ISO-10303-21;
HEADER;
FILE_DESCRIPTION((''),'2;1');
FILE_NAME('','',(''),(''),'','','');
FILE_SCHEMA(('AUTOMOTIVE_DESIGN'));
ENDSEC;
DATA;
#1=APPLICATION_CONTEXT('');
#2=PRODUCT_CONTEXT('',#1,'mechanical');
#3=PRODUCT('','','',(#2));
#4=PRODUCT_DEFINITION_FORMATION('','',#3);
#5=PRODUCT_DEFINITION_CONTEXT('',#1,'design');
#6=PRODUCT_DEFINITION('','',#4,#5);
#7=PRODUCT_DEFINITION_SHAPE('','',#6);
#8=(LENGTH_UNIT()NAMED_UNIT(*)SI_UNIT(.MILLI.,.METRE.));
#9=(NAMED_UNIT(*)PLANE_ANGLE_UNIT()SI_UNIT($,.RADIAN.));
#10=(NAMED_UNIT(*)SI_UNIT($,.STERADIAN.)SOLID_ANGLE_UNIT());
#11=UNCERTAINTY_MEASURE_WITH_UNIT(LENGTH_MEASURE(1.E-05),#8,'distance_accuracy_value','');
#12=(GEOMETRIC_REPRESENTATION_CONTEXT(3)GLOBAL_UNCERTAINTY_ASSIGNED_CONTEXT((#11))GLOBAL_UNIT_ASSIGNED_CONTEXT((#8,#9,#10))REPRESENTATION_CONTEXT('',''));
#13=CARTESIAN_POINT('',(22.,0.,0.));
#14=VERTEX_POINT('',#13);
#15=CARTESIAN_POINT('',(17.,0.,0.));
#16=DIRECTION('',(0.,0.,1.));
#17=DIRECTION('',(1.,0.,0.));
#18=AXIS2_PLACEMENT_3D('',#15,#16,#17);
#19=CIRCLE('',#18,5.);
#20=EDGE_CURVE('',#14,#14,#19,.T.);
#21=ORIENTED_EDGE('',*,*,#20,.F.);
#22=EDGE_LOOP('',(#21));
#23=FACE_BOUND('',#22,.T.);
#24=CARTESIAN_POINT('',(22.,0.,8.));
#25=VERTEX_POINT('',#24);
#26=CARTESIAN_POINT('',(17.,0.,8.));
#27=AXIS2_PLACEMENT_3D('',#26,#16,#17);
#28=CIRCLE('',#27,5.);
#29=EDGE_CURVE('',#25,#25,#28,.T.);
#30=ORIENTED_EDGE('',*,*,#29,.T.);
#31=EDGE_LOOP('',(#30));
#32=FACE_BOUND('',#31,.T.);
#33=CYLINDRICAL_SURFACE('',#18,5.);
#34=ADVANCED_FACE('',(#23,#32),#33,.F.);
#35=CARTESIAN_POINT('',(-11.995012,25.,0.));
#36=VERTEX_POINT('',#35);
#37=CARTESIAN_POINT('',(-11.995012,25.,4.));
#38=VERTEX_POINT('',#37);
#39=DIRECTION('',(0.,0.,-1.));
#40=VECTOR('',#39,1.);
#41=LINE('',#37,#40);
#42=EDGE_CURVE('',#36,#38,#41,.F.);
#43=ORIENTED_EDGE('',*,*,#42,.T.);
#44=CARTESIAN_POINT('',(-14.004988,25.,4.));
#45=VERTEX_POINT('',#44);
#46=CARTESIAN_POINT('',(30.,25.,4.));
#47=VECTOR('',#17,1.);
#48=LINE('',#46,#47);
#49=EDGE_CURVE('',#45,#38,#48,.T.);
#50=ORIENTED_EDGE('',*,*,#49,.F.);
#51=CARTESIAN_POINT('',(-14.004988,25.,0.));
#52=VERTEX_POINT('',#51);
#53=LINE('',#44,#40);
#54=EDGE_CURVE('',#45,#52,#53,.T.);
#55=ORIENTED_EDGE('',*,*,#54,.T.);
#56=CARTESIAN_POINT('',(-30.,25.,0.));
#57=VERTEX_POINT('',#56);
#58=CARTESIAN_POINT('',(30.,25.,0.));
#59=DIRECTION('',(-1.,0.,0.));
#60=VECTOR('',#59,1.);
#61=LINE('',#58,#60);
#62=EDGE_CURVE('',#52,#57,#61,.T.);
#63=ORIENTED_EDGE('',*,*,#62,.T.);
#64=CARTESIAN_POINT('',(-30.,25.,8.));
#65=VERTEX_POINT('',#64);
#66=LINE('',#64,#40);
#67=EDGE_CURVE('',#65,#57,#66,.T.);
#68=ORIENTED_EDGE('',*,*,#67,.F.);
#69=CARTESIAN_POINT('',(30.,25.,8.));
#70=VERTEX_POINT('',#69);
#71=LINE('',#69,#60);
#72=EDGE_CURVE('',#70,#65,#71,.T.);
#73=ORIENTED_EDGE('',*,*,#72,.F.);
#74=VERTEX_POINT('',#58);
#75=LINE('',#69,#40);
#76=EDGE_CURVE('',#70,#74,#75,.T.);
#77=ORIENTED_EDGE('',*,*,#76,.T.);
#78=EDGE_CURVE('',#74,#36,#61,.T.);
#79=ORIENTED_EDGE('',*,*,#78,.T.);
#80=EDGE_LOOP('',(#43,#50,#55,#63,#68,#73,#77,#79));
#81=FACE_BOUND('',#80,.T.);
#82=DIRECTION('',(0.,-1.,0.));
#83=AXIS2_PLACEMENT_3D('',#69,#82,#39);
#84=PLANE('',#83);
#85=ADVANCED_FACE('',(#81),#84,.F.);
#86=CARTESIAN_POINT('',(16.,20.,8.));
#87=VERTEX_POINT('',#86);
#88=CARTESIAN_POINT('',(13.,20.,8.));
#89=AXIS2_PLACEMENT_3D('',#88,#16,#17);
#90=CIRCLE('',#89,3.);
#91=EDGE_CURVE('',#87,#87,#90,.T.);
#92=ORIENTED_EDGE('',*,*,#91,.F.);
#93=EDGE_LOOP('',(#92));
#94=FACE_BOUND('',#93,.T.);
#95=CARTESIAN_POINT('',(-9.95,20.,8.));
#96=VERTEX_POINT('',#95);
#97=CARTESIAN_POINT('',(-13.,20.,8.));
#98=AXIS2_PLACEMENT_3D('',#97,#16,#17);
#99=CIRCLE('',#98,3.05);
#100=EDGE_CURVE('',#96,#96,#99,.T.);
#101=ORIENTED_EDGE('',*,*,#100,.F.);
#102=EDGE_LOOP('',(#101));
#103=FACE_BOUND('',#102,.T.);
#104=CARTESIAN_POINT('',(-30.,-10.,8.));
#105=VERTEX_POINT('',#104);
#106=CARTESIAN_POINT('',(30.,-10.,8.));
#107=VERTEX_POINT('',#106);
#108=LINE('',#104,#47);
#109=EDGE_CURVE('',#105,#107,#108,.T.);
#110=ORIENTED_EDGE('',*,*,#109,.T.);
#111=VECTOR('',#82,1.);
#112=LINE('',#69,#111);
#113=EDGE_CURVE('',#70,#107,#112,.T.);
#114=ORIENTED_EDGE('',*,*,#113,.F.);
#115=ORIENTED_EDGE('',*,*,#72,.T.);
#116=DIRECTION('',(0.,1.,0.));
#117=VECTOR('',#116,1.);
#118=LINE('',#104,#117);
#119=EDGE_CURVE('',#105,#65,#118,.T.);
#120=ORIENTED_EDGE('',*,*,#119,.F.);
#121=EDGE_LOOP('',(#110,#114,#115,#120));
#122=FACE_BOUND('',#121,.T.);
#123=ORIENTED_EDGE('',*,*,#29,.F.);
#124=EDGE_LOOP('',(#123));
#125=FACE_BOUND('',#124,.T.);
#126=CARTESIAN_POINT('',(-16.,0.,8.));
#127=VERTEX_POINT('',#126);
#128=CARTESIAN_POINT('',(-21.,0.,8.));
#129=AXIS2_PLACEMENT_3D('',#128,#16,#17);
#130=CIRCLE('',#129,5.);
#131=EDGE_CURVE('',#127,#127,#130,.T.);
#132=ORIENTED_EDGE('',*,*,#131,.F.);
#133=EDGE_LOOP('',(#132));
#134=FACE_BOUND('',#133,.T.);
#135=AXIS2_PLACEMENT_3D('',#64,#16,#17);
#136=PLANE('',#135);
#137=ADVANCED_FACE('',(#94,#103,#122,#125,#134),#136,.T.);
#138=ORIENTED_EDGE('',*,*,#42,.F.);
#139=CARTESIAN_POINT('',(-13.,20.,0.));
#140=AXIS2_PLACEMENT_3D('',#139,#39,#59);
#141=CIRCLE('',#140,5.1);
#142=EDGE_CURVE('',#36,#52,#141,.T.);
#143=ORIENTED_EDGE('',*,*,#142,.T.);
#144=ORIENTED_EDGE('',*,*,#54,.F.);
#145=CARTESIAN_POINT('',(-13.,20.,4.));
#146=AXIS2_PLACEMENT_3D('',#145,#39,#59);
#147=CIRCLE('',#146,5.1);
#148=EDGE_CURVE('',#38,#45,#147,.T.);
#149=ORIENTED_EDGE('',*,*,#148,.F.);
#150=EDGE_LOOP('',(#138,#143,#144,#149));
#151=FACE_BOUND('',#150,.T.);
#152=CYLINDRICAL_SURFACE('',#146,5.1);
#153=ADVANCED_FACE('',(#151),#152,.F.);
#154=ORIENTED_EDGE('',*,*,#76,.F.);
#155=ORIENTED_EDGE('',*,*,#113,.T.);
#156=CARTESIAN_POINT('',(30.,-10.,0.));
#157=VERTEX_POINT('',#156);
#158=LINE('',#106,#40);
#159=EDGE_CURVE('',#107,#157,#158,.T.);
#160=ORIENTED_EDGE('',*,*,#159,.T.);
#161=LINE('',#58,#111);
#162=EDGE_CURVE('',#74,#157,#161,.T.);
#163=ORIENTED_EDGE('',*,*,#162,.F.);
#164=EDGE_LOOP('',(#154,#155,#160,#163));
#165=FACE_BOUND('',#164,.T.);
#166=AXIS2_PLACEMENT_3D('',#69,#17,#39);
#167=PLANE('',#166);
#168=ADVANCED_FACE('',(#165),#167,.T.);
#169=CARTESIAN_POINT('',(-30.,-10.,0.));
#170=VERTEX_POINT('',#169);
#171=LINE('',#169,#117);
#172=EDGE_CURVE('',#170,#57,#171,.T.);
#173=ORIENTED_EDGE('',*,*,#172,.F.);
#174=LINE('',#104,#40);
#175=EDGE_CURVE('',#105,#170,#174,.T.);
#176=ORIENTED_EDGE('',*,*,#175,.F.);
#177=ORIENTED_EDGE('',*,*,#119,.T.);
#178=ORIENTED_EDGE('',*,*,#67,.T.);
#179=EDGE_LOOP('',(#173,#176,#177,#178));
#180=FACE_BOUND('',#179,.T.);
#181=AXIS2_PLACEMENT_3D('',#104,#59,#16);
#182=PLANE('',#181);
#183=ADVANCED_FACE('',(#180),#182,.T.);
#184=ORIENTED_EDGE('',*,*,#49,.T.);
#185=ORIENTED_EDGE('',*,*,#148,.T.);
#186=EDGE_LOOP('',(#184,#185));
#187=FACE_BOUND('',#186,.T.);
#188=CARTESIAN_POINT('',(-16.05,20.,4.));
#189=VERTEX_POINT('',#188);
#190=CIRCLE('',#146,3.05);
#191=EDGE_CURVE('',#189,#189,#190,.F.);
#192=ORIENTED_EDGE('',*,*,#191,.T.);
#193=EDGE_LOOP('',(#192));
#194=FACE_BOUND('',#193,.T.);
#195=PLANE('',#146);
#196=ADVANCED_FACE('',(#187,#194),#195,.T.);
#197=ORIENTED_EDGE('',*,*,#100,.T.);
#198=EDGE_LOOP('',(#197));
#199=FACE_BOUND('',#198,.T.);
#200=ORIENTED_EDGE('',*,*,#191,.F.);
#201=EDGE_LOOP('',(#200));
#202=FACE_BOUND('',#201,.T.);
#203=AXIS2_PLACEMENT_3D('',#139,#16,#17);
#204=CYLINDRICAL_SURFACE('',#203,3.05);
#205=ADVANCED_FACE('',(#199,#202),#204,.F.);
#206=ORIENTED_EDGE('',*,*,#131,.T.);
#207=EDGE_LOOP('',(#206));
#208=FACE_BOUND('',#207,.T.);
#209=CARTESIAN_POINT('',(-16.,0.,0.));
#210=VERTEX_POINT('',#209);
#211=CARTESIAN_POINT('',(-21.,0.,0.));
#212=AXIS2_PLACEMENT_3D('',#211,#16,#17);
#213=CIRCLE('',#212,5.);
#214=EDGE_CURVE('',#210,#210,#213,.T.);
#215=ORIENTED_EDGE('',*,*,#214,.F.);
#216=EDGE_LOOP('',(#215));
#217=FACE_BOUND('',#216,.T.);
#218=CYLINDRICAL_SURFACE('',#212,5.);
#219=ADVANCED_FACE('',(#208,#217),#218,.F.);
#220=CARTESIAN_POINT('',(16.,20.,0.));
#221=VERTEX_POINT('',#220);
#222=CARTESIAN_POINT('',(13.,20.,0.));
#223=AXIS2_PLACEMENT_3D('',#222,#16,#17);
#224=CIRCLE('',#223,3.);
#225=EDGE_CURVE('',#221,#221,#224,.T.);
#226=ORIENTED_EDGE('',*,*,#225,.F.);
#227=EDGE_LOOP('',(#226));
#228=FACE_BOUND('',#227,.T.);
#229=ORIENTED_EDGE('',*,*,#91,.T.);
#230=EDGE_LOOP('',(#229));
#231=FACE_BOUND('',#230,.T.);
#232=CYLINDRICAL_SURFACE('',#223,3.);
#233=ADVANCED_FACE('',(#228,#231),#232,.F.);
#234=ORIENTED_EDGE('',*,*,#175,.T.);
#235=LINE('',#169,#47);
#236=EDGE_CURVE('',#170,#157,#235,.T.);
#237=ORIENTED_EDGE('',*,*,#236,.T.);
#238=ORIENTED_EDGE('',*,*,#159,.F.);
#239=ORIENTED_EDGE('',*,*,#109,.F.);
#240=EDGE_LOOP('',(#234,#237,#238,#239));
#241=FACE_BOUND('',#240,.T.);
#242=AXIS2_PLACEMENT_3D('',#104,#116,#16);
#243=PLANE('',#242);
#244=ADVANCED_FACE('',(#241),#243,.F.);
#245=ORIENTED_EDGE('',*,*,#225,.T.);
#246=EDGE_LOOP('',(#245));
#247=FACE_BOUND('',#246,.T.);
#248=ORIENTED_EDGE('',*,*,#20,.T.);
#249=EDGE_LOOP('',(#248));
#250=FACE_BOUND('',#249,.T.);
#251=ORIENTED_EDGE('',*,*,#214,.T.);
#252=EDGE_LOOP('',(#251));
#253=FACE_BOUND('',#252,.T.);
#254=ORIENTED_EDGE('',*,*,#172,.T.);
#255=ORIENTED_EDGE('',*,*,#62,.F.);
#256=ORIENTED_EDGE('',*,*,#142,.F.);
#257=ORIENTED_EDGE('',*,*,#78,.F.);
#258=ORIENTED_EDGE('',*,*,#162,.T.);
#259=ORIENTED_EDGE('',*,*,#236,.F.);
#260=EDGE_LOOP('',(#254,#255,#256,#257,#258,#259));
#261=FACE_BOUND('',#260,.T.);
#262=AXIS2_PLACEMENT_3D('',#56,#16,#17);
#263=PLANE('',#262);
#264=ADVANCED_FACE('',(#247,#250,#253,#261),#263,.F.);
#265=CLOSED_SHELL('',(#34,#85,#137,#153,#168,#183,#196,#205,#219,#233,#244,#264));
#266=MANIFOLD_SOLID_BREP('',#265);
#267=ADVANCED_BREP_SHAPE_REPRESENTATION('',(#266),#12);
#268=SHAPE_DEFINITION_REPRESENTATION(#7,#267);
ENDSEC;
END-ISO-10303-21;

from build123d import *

# Parameters (mm, degrees)
ESQUISSE2_W             = 60
ESQUISSE2_H             = 35
BASE_EXTRUSION_DEPTH    = 8
ESQUISSE4_R             = 3.05
ESQUISSE4_R_2           = 3
ESQUISSE4_R_3           = 5
ENL_V_MAT_EXTRU_1_DEPTH = 8
ESQUISSE5_R             = 5.1
ENL_V_MAT_EXTRU_2_DEPTH = 4


with BuildPart() as part:
    # Esquisse2 → Base-Extrusion (new body)
    with BuildSketch(Plane.XY):
        with Locations((0, 7.5)):
            Rectangle(ESQUISSE2_W, ESQUISSE2_H)
    extrude(amount=BASE_EXTRUSION_DEPTH)

    # Esquisse4 → Enlèv. mat.-Extru.1 (cut)
    with BuildSketch(Plane.XY.offset(8)):
        with Locations((-13, 20)):
            Circle(ESQUISSE4_R)
        with Locations((13, 20)):
            Circle(ESQUISSE4_R_2)
        with Locations((-21, 0)):
            Circle(ESQUISSE4_R_3)
        with Locations((17, 0)):
            Circle(ESQUISSE4_R_3)
    extrude(amount=-ENL_V_MAT_EXTRU_1_DEPTH, mode=Mode.SUBTRACT)

    # Esquisse5 → Enlèv. mat.-Extru.2 (cut)
    with BuildSketch(Plane(origin=(0, 0, 0), x_dir=(-1, 0, 0), z_dir=(0, 0, -1))):
        with Locations((13, 20)):
            Circle(ESQUISSE5_R)
    extrude(amount=-ENL_V_MAT_EXTRU_2_DEPTH, mode=Mode.SUBTRACT)


solid = part.part
